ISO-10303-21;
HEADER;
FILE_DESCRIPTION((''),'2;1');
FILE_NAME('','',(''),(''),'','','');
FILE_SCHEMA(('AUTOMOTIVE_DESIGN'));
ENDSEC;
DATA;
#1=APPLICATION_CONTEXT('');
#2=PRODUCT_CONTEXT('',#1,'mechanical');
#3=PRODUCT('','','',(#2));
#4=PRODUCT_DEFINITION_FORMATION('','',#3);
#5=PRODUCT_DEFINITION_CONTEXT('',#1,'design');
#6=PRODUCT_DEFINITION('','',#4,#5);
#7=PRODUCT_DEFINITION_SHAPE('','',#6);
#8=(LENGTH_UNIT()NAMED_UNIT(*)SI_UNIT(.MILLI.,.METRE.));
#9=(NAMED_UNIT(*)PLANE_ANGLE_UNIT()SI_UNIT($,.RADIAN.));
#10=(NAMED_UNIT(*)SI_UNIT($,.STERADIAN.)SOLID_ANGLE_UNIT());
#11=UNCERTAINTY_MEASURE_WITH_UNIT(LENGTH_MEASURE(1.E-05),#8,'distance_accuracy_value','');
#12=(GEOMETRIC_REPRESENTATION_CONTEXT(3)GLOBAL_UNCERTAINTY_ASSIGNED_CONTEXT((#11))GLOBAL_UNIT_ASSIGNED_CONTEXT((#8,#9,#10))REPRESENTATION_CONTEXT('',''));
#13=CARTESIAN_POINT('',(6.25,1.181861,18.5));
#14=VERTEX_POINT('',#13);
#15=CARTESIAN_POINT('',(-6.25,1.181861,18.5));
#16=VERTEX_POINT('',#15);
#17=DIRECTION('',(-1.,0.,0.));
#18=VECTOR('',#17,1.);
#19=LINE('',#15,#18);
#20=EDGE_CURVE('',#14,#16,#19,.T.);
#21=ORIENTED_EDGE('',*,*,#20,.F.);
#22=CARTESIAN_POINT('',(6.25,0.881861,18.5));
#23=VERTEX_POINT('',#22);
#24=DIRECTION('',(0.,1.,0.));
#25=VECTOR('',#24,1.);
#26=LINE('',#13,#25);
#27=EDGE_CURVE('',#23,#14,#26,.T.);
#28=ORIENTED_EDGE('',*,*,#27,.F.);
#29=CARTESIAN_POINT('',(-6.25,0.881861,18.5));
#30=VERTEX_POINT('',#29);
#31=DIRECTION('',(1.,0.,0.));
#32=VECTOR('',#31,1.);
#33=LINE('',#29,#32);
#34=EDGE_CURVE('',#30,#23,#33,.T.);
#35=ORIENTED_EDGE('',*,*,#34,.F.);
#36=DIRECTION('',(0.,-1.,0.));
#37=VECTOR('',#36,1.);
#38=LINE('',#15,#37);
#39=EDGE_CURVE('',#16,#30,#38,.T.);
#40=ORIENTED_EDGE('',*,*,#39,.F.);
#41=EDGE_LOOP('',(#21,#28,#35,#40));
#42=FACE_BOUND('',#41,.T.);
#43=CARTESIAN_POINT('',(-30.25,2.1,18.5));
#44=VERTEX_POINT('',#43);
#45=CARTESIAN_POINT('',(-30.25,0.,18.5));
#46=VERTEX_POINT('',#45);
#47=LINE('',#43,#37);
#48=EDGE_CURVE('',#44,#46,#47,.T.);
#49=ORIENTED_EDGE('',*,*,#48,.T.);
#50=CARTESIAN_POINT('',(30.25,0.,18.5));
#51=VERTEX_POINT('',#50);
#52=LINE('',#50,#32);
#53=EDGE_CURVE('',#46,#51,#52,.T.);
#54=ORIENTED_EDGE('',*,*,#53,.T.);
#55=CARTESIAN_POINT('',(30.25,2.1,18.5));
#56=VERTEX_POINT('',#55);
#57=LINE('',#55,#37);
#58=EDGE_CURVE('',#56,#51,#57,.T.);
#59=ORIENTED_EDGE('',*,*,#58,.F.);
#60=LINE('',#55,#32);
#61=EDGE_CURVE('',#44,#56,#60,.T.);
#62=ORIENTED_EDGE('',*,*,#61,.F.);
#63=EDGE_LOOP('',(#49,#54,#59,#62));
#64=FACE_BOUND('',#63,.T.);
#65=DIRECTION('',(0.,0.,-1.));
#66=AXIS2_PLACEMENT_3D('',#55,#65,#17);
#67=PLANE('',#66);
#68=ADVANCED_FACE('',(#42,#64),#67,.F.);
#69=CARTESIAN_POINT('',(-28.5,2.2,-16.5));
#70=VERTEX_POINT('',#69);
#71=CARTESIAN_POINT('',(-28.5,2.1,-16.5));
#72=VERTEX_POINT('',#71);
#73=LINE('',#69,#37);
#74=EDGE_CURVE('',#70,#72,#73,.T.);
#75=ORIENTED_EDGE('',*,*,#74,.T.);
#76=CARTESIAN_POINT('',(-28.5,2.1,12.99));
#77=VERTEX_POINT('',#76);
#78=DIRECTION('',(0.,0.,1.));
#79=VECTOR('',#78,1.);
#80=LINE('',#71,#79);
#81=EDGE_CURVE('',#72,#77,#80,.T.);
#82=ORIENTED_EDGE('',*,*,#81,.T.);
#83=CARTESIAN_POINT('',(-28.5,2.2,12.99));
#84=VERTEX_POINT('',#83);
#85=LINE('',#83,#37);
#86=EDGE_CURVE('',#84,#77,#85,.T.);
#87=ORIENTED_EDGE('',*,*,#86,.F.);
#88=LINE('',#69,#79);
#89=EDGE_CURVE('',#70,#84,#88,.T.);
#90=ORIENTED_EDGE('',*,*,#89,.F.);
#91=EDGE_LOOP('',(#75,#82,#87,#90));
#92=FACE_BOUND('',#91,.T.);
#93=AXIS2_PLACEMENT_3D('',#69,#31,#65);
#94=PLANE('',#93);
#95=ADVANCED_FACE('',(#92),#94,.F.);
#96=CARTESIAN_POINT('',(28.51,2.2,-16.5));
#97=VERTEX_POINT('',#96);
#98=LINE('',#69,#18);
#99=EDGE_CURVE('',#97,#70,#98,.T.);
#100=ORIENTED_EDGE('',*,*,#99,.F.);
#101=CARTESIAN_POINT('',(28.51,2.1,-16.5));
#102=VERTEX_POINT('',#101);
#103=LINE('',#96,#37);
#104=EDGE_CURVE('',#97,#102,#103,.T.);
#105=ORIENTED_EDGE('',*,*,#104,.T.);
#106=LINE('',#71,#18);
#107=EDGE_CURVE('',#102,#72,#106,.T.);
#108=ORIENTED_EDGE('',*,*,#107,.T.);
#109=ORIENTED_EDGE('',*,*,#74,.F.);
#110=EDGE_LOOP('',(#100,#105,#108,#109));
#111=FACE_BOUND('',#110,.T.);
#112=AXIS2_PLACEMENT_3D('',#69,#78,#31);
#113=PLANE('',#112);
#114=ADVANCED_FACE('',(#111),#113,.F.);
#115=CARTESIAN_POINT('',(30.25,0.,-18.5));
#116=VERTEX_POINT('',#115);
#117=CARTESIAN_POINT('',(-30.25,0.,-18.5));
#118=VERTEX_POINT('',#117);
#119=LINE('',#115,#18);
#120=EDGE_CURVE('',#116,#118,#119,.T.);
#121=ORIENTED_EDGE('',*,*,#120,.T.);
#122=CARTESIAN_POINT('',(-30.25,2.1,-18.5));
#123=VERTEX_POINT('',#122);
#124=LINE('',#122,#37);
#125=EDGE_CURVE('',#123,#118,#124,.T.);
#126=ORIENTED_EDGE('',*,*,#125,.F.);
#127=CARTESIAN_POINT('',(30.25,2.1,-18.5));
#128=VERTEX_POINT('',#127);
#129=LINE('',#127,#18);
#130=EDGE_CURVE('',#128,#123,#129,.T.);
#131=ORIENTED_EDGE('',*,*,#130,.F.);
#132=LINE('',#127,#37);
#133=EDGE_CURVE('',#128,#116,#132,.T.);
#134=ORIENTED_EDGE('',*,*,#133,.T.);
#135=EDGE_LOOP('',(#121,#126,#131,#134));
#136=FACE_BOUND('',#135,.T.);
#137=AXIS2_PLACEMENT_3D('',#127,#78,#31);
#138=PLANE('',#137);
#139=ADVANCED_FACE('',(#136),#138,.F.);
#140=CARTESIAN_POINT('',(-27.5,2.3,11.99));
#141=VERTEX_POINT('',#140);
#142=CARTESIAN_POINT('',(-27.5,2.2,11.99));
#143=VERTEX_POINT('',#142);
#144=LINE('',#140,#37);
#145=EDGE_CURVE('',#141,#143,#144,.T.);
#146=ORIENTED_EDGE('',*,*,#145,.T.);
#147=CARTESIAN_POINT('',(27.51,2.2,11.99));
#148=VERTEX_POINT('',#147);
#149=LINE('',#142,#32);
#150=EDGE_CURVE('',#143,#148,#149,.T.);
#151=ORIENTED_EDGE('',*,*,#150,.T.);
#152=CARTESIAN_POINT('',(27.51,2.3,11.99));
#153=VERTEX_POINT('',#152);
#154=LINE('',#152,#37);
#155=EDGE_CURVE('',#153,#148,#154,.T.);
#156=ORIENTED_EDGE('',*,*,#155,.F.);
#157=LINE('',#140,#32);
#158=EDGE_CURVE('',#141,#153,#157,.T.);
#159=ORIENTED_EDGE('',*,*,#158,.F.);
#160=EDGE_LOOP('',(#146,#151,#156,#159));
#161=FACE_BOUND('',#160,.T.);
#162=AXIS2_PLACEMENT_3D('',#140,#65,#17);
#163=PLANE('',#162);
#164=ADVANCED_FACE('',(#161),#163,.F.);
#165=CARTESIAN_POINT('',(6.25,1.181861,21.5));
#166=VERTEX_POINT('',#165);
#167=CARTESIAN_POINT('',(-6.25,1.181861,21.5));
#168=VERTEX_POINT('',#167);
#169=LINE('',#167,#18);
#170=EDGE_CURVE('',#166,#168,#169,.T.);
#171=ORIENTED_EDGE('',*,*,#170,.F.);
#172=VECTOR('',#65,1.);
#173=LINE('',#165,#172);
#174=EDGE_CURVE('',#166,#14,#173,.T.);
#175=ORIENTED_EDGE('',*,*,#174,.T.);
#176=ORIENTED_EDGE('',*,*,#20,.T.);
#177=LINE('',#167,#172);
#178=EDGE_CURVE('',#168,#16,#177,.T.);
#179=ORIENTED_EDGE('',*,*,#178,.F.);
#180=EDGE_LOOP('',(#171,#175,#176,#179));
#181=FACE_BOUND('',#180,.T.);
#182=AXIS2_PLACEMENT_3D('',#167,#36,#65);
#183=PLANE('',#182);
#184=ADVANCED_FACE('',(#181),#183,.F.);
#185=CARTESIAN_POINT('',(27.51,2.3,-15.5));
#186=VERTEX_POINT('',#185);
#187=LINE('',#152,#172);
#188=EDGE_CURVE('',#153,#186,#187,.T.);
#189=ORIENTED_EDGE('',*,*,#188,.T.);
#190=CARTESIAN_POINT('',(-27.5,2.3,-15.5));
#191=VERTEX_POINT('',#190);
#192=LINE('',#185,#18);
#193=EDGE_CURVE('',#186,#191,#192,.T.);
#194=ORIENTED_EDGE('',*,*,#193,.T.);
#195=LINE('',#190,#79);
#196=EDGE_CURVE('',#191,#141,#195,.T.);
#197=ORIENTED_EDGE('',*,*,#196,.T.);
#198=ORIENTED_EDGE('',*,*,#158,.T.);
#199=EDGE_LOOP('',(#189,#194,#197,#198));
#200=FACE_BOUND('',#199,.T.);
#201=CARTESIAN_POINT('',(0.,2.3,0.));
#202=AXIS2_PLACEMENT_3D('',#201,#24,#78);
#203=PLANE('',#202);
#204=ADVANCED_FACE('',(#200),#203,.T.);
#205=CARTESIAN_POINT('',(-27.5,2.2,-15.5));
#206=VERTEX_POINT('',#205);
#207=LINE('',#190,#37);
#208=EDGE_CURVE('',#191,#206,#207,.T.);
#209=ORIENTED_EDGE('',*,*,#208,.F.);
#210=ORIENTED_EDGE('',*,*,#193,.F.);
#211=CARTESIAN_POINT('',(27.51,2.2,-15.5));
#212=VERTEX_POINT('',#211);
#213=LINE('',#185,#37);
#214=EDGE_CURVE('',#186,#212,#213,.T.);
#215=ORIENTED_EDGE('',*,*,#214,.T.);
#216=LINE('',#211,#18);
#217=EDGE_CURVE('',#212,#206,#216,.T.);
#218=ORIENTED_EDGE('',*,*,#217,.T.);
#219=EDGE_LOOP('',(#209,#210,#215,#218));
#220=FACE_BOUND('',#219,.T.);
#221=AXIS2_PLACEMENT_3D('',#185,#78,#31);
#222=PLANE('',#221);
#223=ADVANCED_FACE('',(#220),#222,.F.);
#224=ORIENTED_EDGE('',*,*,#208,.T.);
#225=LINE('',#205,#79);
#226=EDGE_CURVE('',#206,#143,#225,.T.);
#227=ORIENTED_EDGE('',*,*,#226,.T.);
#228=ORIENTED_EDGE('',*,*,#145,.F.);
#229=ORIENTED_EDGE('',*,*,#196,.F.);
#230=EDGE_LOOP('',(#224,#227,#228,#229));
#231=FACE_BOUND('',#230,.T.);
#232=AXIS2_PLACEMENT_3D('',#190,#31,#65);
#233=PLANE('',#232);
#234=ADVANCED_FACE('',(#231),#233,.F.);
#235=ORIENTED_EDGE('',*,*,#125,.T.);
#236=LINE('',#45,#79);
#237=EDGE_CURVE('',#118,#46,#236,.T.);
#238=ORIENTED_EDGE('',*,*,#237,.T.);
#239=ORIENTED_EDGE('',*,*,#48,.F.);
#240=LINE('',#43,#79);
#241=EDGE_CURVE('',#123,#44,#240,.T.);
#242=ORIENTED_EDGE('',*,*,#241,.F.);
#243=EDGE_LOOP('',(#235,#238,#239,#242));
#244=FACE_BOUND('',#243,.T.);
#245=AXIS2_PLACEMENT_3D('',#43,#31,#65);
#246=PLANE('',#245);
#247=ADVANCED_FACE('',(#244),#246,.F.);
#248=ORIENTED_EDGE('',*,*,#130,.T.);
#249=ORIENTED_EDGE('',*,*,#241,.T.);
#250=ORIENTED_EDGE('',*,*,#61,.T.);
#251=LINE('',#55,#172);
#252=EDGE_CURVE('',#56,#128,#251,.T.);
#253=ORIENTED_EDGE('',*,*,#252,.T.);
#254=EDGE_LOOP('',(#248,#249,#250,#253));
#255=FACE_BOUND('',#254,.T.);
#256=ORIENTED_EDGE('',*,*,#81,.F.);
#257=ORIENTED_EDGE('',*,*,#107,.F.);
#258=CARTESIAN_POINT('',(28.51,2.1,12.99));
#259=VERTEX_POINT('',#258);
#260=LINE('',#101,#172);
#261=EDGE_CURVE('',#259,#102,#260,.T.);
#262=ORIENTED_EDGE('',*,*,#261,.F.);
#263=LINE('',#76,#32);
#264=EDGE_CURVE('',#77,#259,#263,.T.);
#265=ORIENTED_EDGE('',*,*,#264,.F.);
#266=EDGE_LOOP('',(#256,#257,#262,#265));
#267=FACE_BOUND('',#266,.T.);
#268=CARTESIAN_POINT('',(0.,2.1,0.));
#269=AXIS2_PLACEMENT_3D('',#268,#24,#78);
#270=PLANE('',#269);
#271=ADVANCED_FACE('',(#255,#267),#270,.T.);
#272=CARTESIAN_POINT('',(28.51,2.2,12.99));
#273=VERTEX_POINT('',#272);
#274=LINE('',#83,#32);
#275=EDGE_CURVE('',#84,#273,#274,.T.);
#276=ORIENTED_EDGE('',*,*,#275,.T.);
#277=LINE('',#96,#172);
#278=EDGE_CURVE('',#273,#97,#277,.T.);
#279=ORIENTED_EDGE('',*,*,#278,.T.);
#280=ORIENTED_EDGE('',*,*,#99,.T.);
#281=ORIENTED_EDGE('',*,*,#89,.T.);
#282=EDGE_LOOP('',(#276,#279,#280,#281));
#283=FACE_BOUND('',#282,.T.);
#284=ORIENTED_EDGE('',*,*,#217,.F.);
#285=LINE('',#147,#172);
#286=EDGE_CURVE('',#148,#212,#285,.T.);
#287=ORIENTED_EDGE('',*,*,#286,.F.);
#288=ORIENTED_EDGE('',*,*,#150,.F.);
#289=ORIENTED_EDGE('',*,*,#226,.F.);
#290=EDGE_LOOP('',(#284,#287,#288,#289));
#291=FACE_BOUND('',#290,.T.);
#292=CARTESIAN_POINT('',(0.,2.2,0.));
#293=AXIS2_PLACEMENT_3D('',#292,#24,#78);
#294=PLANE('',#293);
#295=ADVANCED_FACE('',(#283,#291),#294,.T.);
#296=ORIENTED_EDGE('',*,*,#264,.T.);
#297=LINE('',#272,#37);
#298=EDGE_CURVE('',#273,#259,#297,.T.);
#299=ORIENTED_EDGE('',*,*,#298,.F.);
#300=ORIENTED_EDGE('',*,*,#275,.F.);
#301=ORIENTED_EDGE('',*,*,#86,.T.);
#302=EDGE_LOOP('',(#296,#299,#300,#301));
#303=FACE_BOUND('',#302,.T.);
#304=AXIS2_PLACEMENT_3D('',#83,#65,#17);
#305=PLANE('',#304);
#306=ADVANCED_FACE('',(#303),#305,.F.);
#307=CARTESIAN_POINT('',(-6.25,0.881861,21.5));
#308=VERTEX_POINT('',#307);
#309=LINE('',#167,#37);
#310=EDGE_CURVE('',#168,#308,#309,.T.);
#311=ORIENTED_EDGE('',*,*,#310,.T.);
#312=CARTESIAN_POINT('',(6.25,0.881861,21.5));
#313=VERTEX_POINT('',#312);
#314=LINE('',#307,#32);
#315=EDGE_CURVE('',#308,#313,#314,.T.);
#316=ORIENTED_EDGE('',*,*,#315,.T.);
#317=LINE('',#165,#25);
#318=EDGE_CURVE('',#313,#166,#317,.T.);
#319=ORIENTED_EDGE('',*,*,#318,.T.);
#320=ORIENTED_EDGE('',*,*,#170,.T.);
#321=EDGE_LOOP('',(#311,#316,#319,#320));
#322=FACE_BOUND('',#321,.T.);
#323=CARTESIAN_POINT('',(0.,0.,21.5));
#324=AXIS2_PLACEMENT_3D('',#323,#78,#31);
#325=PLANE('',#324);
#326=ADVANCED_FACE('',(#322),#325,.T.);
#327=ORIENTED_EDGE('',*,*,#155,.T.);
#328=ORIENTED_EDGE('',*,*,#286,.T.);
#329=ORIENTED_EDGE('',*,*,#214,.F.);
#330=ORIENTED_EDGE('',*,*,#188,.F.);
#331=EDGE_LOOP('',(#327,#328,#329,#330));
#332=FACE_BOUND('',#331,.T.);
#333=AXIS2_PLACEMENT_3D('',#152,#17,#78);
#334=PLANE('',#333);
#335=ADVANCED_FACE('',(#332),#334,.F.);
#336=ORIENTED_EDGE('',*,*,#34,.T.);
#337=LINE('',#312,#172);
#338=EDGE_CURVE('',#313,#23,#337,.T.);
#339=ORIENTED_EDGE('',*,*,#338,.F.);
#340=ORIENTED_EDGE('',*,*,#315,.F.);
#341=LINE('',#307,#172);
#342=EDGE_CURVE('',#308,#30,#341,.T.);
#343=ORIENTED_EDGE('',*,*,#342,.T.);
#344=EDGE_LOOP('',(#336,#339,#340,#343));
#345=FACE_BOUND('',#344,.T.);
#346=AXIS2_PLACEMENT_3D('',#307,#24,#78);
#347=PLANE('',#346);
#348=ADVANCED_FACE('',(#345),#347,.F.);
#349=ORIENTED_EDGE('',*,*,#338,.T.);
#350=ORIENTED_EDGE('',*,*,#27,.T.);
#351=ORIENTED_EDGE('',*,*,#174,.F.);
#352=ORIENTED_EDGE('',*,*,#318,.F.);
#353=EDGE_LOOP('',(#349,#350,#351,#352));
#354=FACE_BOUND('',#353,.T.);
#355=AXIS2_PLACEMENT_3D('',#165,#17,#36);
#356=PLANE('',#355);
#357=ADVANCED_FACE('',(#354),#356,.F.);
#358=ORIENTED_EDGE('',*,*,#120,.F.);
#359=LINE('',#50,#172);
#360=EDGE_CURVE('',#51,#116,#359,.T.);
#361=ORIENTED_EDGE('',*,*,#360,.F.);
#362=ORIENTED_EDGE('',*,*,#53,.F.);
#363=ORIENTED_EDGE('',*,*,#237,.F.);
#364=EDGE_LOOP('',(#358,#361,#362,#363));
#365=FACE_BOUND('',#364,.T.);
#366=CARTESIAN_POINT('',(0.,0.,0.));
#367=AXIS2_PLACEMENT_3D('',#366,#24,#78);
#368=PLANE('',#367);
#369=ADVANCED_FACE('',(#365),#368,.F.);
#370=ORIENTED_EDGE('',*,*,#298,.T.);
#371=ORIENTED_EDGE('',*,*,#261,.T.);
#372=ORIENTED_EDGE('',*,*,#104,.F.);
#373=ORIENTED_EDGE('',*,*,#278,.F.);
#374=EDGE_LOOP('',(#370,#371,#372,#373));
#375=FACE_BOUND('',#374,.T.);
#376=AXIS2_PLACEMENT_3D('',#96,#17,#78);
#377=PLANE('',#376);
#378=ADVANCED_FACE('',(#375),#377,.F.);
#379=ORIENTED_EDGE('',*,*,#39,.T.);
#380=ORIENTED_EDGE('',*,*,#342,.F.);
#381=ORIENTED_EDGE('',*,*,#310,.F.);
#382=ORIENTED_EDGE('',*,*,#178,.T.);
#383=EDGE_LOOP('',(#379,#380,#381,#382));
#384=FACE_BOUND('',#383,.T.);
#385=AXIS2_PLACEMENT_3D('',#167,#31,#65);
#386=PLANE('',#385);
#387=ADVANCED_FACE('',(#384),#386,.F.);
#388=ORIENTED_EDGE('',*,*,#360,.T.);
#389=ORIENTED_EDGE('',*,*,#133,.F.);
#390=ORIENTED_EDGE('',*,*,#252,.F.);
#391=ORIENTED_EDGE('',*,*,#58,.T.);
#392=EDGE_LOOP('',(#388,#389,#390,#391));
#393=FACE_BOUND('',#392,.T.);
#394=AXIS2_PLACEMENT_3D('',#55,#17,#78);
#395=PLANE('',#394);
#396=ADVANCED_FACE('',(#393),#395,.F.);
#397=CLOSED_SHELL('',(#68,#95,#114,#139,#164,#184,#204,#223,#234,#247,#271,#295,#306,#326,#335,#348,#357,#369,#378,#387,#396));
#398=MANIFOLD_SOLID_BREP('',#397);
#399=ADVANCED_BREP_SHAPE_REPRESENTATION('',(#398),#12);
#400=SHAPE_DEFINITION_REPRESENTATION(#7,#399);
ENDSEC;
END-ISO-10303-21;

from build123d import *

# Parameters (mm, degrees)
SKETCH_1_W      = 60.5
SKETCH_1_H      = 37
EXTRUDE_1_DEPTH = 2.1
SKETCH_2_W      = 57.01
SKETCH_2_H      = 29.49
EXTRUDE_2_DEPTH = 0.1
SKETCH_5_W      = 55.01
SKETCH_5_H      = 27.49
EXTRUDE_4_DEPTH = 0.1
SKETCH_3_W      = 12.5
SKETCH_3_H      = 0.3
EXTRUDE_3_DEPTH = 3


with BuildPart() as part:
    # 草图1 → 凸台-拉伸1 (new body)
    with BuildSketch(Plane(origin=(0, 0, 0), x_dir=(1, 0, 0), z_dir=(0, 1, 0))):
        Rectangle(SKETCH_1_W, SKETCH_1_H)
    extrude(amount=EXTRUDE_1_DEPTH)

    # 草图2 → 凸台-拉伸2 (add)
    with BuildSketch(Plane(origin=(0, 2.1, 0), x_dir=(1, 0, 0), z_dir=(0, 1, 0))):
        with Locations((0.005, 1.755)):
            Rectangle(SKETCH_2_W, SKETCH_2_H)
    extrude(amount=EXTRUDE_2_DEPTH)

    # 草图5 → 凸台-拉伸4 (add)
    with BuildSketch(Plane(origin=(0, 2.2, 0), x_dir=(1, 0, 0), z_dir=(0, 1, 0))):
        with Locations((0.005, 1.755)):
            Rectangle(SKETCH_5_W, SKETCH_5_H)
    extrude(amount=EXTRUDE_4_DEPTH)

    # 草图3 → 凸台-拉伸3 (add)
    with BuildSketch(Plane.XY.offset(18.5)):
        with Locations((0, 1.031860601)):
            Rectangle(SKETCH_3_W, SKETCH_3_H)
    extrude(amount=EXTRUDE_3_DEPTH)


solid = part.part
